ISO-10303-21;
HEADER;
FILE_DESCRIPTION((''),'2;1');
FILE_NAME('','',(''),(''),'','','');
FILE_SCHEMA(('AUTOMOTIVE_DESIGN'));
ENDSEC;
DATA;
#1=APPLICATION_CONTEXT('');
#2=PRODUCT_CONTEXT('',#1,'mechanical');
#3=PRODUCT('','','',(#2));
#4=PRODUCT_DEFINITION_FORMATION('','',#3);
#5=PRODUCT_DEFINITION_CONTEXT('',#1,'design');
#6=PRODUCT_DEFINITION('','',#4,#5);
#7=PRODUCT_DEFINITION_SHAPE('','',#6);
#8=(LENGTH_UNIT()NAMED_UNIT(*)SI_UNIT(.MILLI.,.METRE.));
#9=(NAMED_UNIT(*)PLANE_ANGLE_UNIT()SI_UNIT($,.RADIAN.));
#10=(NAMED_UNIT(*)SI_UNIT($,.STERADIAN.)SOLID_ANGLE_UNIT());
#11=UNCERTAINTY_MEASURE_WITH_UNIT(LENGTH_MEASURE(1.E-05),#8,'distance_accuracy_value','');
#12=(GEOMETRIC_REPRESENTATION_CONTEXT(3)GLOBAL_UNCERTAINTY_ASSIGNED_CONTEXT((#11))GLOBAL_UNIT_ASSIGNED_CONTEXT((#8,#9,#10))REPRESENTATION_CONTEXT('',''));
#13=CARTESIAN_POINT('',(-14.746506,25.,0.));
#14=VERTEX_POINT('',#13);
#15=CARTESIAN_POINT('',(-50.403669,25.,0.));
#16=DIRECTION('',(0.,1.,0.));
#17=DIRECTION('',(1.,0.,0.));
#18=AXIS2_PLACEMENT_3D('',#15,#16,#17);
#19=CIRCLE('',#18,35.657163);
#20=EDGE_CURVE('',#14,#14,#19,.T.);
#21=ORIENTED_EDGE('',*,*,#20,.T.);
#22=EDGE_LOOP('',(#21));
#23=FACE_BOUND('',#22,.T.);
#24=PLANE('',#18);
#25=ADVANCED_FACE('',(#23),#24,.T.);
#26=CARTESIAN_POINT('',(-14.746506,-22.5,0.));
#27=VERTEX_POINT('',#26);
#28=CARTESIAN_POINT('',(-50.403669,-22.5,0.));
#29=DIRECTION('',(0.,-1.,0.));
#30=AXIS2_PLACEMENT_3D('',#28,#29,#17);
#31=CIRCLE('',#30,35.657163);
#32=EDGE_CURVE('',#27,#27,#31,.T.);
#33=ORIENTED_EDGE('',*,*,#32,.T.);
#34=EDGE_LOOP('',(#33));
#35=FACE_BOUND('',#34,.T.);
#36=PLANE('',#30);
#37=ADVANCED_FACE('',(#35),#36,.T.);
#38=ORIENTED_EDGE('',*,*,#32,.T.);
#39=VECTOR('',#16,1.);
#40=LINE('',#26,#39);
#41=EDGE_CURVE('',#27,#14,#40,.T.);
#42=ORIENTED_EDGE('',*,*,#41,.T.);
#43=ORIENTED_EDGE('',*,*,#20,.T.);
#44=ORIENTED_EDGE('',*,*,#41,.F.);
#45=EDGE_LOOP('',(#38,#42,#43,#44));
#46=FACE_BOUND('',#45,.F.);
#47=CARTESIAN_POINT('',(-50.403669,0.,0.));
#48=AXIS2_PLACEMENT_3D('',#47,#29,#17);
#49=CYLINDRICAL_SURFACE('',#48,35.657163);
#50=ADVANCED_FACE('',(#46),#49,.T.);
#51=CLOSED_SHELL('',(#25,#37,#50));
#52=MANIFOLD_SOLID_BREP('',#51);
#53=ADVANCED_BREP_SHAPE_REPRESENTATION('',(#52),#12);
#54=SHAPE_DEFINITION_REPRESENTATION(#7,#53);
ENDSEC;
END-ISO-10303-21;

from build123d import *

# Parameters (mm, degrees)
F0_R      = 35.657163
F0_R_2    = 23.621106
F1_DEPTH  = 22.5
F1_FACE_R = 35.657163
F2_DEPTH  = 25


with BuildPart() as f1:
    # F0 (on Front) → F1 (new body)
    with BuildSketch(Plane.XZ):
        with Locations((-50.403669, 0)):
            Circle(F0_R)
        with Locations((-50.403669, 0)):
            Circle(F0_R_2, mode=Mode.SUBTRACT)
        with Locations((-50.403669, 0)):
            Circle(F0_R_2)
    extrude(amount=F1_DEPTH)

    # F1_face (on face) → F2 (join)
    with BuildSketch(Plane(origin=(-50.403669, 0, 0), x_dir=(1, 0, 0), z_dir=(0, 1, 0))):
        Circle(F1_FACE_R)
    extrude(amount=F2_DEPTH)


solid = f1.part
